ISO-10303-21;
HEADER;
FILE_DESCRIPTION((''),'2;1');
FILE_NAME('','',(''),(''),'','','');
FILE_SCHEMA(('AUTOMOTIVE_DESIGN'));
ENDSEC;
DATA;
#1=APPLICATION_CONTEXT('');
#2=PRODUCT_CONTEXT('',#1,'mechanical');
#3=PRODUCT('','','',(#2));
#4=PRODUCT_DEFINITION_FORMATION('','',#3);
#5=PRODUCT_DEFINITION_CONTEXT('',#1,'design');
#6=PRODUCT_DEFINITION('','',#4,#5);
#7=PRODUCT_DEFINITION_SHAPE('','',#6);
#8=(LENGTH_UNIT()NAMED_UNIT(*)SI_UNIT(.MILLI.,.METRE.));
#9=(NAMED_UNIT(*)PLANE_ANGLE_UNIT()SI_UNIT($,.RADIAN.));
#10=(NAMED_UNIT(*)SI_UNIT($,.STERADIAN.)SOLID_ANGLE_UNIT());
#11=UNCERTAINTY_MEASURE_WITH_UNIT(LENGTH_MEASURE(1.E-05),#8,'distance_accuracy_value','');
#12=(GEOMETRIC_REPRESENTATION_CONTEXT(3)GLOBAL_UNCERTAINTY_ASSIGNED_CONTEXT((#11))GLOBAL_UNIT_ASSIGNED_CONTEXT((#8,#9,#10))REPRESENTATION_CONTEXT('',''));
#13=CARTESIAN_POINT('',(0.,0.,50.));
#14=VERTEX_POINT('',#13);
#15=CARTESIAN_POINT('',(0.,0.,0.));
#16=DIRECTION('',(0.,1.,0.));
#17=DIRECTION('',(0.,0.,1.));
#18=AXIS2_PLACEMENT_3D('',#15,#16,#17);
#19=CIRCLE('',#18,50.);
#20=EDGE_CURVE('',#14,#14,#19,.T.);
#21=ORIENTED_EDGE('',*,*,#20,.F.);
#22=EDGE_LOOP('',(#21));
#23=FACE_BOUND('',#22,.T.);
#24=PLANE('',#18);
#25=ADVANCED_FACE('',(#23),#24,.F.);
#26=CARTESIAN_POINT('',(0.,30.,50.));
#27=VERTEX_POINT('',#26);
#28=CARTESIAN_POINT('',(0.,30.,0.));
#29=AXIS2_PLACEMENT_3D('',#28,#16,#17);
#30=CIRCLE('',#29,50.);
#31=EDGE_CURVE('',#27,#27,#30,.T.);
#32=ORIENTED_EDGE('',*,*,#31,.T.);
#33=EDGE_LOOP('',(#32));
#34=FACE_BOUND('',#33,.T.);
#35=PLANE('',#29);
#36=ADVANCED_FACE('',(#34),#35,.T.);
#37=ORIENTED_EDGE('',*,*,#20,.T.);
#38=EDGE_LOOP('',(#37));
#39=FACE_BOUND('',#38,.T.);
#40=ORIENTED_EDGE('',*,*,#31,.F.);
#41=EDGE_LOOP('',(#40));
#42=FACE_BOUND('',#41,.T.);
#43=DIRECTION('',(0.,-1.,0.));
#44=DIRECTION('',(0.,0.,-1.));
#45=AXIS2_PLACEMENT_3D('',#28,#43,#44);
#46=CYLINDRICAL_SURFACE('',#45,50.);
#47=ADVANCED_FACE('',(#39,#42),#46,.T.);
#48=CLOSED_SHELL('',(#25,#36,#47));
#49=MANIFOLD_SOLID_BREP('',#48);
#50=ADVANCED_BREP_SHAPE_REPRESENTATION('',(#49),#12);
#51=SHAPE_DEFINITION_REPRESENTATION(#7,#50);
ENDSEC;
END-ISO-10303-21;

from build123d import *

# Parameters (mm, degrees)
SKETCH_1_R      = 50
EXTRUDE_1_DEPTH = 30


with BuildPart() as part:
    # 草图1 → 凸台-拉伸1 (new body)
    with BuildSketch(Plane(origin=(0, 0, 0), x_dir=(1, 0, 0), z_dir=(0, 1, 0))):
        Circle(SKETCH_1_R)
    extrude(amount=EXTRUDE_1_DEPTH)


solid = part.part
